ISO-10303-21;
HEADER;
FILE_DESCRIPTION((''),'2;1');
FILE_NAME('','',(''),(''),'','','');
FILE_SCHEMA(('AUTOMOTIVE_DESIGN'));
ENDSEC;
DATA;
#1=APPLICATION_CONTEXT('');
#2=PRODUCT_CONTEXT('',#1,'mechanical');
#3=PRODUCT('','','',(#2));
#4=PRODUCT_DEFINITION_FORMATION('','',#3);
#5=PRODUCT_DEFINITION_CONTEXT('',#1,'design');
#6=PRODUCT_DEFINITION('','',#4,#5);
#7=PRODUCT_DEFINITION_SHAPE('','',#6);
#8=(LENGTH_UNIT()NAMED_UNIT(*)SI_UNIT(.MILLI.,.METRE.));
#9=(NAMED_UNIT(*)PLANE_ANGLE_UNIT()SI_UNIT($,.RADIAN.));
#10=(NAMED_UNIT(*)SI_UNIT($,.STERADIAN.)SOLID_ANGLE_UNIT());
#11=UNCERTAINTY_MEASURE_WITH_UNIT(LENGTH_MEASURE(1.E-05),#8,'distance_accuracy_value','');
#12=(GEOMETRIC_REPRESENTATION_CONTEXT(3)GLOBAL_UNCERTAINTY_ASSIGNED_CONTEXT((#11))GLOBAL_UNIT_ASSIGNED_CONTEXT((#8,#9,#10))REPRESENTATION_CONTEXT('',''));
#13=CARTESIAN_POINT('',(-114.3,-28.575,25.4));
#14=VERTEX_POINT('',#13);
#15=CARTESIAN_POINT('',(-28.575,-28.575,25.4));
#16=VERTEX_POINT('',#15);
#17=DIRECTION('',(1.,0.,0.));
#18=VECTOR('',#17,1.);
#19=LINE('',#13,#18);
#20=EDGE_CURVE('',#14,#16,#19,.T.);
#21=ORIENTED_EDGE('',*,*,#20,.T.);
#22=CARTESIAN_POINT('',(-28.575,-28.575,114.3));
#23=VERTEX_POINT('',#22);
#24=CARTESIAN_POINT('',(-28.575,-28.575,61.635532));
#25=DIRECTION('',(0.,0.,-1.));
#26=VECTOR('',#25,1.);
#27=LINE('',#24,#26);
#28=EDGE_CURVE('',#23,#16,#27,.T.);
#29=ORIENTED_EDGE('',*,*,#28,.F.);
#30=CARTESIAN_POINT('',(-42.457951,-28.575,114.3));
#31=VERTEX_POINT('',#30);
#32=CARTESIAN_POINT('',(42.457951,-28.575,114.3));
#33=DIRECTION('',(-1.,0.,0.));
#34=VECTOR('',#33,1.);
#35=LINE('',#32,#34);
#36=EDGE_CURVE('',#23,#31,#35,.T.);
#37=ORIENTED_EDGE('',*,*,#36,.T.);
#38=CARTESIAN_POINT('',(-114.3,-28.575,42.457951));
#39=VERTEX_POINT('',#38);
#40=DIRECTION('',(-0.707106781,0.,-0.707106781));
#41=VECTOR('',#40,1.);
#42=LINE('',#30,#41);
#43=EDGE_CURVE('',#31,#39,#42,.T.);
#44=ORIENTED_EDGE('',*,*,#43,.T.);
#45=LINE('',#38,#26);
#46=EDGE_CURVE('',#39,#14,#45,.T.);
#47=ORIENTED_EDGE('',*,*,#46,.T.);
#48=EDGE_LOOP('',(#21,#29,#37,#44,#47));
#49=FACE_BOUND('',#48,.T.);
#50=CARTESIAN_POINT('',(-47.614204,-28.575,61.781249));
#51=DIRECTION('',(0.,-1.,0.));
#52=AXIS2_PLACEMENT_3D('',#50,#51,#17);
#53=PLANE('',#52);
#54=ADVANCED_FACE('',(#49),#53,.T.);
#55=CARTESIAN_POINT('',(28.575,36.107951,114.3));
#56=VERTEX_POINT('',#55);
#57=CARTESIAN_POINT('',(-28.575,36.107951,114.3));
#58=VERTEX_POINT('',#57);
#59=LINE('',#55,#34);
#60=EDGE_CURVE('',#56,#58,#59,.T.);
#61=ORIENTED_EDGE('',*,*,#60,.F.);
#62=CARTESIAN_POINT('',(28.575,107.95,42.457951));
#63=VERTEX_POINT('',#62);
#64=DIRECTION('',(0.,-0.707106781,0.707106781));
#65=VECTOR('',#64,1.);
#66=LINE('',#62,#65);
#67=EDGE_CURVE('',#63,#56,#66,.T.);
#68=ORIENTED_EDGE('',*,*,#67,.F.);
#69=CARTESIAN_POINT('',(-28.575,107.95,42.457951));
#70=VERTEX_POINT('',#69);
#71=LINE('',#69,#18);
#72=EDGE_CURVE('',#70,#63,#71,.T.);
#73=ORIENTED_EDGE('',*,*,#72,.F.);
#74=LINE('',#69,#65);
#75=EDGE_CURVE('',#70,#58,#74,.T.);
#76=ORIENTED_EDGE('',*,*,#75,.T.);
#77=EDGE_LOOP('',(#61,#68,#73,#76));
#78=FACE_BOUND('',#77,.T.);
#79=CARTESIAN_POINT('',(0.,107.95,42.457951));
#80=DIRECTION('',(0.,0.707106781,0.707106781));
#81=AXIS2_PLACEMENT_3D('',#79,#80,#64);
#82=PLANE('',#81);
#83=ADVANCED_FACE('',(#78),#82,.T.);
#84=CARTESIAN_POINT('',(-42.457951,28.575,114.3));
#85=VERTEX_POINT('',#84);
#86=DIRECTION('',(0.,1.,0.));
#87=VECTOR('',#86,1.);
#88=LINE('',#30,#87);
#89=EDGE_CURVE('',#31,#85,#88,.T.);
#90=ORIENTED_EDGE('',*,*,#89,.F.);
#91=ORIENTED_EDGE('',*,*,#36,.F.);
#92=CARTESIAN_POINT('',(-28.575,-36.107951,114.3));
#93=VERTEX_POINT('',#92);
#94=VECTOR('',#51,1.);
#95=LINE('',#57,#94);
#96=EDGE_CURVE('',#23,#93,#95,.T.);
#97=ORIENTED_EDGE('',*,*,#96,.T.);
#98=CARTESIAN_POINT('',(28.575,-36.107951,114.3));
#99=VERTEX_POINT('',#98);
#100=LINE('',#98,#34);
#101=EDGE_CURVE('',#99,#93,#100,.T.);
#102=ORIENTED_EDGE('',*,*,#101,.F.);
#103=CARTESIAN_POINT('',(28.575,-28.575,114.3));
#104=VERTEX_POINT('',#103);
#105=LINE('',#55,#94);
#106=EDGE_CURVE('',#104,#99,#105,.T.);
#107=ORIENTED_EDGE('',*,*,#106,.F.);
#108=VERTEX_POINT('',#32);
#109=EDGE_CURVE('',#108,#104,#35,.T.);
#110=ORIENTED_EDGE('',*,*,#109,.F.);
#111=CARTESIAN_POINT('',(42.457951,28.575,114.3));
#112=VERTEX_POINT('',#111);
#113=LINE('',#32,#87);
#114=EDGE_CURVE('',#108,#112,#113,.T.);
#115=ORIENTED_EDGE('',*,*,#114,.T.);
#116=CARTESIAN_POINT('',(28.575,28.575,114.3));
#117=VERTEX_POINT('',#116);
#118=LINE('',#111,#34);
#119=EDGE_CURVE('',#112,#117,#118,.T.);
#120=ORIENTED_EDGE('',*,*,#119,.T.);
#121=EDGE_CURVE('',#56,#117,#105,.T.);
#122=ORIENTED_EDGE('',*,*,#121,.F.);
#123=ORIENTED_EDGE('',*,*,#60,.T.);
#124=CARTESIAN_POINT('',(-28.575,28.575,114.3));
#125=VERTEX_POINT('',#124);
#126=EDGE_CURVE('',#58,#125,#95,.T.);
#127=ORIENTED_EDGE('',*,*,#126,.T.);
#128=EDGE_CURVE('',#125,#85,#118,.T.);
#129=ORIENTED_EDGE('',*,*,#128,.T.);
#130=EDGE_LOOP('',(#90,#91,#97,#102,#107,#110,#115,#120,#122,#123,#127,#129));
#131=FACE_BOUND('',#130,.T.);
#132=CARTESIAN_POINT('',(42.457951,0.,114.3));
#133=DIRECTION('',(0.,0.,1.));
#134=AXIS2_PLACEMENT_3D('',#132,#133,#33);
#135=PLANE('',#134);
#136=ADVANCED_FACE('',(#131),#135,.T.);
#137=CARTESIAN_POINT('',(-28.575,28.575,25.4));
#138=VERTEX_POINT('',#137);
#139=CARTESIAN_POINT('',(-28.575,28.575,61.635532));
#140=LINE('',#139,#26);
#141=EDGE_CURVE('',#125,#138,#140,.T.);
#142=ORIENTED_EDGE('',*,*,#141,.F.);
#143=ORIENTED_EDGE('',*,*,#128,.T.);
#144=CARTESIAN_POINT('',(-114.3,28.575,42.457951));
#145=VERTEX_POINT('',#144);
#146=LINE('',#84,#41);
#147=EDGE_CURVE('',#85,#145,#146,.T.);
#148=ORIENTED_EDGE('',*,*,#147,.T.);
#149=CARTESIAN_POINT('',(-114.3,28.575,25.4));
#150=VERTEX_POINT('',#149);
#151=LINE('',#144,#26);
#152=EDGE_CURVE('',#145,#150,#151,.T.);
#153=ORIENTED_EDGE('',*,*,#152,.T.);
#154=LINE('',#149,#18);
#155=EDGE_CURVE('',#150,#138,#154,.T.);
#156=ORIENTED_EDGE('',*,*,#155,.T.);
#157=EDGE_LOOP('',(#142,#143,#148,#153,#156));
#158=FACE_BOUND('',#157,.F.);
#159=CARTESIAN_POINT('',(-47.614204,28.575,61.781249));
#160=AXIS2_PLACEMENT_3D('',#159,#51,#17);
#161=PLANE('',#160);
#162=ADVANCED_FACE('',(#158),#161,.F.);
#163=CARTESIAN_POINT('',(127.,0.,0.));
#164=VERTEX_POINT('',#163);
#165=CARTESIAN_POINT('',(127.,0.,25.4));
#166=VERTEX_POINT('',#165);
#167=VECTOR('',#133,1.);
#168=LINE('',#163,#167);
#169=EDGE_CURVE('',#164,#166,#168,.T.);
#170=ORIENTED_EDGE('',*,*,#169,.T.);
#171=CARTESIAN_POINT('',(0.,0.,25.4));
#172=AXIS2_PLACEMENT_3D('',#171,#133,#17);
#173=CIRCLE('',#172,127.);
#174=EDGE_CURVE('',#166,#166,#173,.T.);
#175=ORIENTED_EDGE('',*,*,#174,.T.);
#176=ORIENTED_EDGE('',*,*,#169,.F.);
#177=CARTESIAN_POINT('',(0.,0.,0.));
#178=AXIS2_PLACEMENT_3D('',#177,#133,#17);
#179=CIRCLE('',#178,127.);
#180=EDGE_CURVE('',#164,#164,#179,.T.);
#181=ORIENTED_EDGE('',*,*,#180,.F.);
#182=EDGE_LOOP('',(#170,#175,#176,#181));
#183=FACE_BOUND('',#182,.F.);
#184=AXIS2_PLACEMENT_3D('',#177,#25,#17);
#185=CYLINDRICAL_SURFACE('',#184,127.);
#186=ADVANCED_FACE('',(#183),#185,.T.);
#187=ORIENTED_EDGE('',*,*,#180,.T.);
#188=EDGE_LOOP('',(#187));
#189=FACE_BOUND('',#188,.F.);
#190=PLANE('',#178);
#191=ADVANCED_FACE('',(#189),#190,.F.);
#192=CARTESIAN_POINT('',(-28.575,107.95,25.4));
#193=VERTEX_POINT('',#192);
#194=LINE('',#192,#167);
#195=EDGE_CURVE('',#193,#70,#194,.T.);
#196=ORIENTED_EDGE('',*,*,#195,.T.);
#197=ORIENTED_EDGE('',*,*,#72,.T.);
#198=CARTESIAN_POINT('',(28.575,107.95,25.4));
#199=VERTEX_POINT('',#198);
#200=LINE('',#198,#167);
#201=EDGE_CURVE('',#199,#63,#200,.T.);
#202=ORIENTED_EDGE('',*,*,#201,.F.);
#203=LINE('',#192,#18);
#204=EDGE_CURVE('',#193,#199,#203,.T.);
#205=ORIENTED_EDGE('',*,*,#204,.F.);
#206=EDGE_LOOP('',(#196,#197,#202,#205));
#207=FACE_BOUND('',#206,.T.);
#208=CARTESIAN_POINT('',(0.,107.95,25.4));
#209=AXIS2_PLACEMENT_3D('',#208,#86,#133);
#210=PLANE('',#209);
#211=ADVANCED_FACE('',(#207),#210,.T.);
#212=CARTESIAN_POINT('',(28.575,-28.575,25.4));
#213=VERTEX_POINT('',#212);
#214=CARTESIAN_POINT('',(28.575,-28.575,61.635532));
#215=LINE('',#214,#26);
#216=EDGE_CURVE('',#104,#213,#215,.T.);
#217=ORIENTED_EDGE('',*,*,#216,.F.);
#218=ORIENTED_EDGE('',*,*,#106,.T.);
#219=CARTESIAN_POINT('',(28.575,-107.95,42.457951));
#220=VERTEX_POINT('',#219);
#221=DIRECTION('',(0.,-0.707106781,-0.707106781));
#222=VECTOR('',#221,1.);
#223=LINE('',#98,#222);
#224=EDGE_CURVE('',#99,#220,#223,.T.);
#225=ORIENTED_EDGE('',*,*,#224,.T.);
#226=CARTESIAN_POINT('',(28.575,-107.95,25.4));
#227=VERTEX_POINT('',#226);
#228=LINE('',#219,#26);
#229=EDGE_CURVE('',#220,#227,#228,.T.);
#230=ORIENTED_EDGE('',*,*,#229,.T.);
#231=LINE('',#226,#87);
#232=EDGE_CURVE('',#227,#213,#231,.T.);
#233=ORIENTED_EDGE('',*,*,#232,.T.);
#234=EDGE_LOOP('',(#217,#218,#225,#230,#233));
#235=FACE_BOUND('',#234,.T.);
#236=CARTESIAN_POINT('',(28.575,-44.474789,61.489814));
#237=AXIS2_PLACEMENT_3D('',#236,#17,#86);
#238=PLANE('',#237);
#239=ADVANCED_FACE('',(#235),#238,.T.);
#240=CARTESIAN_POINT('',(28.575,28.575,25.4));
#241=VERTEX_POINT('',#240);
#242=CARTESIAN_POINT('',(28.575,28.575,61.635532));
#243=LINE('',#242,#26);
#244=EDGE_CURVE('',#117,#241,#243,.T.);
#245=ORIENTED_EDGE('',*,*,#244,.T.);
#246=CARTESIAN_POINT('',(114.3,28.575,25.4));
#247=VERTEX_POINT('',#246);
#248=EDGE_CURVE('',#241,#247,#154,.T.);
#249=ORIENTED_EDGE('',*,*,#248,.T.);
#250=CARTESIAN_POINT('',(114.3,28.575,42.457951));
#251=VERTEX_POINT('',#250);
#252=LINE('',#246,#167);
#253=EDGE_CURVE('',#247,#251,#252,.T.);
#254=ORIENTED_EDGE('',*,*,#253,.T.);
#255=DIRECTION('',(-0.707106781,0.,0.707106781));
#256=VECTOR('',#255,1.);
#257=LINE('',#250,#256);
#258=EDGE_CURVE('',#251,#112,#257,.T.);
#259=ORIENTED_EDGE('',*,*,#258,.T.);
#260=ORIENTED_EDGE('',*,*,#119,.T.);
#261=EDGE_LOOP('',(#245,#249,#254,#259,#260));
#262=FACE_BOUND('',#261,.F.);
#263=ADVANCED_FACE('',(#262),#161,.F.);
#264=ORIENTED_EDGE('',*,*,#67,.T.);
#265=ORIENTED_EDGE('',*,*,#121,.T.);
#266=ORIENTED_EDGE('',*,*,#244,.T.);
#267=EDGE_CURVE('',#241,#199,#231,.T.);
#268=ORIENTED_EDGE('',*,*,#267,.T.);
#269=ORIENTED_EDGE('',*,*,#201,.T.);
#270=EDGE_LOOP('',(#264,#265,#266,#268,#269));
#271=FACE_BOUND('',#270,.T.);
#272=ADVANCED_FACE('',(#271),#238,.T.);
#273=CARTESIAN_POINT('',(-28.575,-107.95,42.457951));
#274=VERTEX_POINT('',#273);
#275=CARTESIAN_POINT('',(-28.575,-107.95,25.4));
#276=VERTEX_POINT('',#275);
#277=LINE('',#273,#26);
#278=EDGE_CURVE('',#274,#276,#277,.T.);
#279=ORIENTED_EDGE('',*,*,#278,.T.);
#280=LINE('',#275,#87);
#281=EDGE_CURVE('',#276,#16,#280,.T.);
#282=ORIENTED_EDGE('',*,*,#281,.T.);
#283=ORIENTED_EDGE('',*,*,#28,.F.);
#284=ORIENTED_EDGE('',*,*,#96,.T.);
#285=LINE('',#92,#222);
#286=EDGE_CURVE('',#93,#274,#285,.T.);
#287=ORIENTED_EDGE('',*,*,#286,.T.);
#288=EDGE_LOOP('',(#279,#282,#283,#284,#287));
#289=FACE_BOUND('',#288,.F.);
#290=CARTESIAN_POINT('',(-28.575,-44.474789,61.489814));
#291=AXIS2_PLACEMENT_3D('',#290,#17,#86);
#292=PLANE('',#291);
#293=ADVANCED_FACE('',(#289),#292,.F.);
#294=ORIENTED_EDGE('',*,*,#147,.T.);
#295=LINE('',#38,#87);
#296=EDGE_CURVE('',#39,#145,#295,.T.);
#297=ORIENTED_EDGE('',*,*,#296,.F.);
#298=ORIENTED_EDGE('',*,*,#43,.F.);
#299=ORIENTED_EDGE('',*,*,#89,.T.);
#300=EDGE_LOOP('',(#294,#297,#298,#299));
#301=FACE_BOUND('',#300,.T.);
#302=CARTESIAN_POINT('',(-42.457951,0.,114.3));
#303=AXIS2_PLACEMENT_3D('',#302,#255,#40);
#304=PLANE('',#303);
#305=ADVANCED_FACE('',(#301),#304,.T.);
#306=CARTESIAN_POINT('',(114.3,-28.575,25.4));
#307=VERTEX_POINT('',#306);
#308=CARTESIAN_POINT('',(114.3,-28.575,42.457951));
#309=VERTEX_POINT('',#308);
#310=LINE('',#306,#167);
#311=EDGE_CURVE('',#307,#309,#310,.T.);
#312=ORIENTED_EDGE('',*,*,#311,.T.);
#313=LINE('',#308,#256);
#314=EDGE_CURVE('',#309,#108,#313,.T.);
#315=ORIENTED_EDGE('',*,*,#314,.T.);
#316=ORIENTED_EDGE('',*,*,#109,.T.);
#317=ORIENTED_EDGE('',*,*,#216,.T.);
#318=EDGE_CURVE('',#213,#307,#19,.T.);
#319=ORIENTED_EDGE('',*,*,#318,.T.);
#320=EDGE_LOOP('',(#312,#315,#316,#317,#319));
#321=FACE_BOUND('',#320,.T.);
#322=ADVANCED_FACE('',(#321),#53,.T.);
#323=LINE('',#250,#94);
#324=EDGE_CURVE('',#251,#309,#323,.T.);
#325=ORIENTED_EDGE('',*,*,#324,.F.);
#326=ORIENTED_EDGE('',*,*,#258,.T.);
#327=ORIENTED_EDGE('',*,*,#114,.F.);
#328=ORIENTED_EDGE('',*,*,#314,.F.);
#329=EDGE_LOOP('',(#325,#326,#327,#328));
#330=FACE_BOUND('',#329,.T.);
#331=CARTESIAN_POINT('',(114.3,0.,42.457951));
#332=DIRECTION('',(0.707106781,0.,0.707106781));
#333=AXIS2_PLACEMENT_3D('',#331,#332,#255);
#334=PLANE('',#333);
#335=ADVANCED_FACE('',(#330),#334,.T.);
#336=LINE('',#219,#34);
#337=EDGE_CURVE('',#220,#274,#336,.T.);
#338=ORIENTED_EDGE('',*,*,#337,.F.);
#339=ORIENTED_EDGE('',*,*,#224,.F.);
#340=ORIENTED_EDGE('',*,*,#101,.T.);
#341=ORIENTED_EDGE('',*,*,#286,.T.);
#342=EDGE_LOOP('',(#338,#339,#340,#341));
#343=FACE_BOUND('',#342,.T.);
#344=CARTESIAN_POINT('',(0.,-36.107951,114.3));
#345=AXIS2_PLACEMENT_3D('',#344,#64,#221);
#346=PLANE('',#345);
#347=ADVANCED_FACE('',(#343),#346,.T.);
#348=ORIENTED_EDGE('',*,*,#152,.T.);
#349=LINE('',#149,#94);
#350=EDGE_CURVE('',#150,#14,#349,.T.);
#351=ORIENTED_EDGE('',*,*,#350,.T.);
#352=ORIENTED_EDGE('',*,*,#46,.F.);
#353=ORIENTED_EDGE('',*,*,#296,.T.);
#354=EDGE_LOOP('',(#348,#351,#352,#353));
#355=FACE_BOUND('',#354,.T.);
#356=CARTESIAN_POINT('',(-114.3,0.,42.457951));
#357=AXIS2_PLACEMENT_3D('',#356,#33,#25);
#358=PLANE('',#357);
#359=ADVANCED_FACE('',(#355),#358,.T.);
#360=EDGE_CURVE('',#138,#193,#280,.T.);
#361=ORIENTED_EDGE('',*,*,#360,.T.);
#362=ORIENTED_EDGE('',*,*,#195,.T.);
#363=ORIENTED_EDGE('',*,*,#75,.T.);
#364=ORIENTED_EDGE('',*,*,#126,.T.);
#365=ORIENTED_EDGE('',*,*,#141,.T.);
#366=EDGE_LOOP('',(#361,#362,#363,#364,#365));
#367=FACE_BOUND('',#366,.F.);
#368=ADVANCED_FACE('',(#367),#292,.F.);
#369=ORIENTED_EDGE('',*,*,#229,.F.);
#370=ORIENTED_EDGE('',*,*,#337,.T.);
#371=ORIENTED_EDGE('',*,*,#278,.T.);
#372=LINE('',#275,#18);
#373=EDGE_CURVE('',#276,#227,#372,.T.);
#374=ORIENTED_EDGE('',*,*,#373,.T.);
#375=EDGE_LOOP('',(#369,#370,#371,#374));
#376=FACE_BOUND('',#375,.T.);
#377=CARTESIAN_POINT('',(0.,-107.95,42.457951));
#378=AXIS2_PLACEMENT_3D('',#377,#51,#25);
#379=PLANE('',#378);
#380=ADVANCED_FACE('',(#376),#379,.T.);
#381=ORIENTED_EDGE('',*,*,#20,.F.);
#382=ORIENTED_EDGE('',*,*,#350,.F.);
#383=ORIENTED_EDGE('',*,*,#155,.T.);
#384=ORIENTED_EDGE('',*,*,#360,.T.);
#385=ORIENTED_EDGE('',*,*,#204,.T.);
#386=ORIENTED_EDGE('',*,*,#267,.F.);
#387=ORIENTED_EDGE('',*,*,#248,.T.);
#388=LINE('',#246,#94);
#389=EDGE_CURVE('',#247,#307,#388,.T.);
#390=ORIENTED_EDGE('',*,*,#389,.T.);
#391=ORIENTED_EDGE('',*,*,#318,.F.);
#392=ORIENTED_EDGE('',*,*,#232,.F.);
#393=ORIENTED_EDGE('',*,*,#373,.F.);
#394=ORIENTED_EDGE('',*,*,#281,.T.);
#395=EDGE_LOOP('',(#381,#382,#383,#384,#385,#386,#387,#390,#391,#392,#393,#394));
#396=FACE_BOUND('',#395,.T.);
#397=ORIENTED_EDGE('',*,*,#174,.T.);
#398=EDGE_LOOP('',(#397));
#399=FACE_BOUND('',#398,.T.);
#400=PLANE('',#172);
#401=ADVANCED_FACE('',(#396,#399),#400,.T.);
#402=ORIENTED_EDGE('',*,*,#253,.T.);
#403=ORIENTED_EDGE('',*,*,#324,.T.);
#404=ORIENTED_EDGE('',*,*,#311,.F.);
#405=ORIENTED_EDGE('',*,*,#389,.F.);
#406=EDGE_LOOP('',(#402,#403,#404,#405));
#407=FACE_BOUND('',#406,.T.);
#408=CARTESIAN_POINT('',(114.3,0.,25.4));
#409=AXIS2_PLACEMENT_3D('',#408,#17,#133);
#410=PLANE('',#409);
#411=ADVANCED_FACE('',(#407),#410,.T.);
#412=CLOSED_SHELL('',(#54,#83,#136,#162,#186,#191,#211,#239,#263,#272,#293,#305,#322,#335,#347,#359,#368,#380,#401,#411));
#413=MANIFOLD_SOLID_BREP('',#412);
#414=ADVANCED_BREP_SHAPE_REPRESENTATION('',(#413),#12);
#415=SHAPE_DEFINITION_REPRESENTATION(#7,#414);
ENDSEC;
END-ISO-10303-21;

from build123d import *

# Parameters (mm, degrees)
F0_R     = 127
F1_DEPTH = 25.4
F3_DEPTH = 28.575
F5_DEPTH = 28.575


with BuildPart() as f1:
    # F0 (on Top) → F1 (new body)
    with BuildSketch(Plane.XY):
        Circle(F0_R)
    extrude(amount=F1_DEPTH)

    # F2 (on Right) → F3 (join, symmetric)
    with BuildSketch(Plane.YZ):
        Polygon((-107.95, 42.457951), (-107.95, 25.4), (0, 25.4), (0, 114.3), (-36.107951, 114.3), align=None)
        Polygon((0, 114.3), (0, 25.4), (107.95, 25.4), (107.95, 42.457951), (36.107951, 114.3), align=None)
    extrude(amount=F3_DEPTH, both=True)

    # F4 (on Front) → F5 (join, symmetric)
    with BuildSketch(Plane.XZ):
        Polygon((-114.3, 42.457951), (-114.3, 25.4), (0, 25.4), (0, 114.3), (-42.457951, 114.3), align=None)
        Polygon((0, 114.3), (0, 25.4), (114.3, 25.4), (114.3, 42.457951), (42.457951, 114.3), align=None)
    extrude(amount=F5_DEPTH, both=True)


solid = f1.part
